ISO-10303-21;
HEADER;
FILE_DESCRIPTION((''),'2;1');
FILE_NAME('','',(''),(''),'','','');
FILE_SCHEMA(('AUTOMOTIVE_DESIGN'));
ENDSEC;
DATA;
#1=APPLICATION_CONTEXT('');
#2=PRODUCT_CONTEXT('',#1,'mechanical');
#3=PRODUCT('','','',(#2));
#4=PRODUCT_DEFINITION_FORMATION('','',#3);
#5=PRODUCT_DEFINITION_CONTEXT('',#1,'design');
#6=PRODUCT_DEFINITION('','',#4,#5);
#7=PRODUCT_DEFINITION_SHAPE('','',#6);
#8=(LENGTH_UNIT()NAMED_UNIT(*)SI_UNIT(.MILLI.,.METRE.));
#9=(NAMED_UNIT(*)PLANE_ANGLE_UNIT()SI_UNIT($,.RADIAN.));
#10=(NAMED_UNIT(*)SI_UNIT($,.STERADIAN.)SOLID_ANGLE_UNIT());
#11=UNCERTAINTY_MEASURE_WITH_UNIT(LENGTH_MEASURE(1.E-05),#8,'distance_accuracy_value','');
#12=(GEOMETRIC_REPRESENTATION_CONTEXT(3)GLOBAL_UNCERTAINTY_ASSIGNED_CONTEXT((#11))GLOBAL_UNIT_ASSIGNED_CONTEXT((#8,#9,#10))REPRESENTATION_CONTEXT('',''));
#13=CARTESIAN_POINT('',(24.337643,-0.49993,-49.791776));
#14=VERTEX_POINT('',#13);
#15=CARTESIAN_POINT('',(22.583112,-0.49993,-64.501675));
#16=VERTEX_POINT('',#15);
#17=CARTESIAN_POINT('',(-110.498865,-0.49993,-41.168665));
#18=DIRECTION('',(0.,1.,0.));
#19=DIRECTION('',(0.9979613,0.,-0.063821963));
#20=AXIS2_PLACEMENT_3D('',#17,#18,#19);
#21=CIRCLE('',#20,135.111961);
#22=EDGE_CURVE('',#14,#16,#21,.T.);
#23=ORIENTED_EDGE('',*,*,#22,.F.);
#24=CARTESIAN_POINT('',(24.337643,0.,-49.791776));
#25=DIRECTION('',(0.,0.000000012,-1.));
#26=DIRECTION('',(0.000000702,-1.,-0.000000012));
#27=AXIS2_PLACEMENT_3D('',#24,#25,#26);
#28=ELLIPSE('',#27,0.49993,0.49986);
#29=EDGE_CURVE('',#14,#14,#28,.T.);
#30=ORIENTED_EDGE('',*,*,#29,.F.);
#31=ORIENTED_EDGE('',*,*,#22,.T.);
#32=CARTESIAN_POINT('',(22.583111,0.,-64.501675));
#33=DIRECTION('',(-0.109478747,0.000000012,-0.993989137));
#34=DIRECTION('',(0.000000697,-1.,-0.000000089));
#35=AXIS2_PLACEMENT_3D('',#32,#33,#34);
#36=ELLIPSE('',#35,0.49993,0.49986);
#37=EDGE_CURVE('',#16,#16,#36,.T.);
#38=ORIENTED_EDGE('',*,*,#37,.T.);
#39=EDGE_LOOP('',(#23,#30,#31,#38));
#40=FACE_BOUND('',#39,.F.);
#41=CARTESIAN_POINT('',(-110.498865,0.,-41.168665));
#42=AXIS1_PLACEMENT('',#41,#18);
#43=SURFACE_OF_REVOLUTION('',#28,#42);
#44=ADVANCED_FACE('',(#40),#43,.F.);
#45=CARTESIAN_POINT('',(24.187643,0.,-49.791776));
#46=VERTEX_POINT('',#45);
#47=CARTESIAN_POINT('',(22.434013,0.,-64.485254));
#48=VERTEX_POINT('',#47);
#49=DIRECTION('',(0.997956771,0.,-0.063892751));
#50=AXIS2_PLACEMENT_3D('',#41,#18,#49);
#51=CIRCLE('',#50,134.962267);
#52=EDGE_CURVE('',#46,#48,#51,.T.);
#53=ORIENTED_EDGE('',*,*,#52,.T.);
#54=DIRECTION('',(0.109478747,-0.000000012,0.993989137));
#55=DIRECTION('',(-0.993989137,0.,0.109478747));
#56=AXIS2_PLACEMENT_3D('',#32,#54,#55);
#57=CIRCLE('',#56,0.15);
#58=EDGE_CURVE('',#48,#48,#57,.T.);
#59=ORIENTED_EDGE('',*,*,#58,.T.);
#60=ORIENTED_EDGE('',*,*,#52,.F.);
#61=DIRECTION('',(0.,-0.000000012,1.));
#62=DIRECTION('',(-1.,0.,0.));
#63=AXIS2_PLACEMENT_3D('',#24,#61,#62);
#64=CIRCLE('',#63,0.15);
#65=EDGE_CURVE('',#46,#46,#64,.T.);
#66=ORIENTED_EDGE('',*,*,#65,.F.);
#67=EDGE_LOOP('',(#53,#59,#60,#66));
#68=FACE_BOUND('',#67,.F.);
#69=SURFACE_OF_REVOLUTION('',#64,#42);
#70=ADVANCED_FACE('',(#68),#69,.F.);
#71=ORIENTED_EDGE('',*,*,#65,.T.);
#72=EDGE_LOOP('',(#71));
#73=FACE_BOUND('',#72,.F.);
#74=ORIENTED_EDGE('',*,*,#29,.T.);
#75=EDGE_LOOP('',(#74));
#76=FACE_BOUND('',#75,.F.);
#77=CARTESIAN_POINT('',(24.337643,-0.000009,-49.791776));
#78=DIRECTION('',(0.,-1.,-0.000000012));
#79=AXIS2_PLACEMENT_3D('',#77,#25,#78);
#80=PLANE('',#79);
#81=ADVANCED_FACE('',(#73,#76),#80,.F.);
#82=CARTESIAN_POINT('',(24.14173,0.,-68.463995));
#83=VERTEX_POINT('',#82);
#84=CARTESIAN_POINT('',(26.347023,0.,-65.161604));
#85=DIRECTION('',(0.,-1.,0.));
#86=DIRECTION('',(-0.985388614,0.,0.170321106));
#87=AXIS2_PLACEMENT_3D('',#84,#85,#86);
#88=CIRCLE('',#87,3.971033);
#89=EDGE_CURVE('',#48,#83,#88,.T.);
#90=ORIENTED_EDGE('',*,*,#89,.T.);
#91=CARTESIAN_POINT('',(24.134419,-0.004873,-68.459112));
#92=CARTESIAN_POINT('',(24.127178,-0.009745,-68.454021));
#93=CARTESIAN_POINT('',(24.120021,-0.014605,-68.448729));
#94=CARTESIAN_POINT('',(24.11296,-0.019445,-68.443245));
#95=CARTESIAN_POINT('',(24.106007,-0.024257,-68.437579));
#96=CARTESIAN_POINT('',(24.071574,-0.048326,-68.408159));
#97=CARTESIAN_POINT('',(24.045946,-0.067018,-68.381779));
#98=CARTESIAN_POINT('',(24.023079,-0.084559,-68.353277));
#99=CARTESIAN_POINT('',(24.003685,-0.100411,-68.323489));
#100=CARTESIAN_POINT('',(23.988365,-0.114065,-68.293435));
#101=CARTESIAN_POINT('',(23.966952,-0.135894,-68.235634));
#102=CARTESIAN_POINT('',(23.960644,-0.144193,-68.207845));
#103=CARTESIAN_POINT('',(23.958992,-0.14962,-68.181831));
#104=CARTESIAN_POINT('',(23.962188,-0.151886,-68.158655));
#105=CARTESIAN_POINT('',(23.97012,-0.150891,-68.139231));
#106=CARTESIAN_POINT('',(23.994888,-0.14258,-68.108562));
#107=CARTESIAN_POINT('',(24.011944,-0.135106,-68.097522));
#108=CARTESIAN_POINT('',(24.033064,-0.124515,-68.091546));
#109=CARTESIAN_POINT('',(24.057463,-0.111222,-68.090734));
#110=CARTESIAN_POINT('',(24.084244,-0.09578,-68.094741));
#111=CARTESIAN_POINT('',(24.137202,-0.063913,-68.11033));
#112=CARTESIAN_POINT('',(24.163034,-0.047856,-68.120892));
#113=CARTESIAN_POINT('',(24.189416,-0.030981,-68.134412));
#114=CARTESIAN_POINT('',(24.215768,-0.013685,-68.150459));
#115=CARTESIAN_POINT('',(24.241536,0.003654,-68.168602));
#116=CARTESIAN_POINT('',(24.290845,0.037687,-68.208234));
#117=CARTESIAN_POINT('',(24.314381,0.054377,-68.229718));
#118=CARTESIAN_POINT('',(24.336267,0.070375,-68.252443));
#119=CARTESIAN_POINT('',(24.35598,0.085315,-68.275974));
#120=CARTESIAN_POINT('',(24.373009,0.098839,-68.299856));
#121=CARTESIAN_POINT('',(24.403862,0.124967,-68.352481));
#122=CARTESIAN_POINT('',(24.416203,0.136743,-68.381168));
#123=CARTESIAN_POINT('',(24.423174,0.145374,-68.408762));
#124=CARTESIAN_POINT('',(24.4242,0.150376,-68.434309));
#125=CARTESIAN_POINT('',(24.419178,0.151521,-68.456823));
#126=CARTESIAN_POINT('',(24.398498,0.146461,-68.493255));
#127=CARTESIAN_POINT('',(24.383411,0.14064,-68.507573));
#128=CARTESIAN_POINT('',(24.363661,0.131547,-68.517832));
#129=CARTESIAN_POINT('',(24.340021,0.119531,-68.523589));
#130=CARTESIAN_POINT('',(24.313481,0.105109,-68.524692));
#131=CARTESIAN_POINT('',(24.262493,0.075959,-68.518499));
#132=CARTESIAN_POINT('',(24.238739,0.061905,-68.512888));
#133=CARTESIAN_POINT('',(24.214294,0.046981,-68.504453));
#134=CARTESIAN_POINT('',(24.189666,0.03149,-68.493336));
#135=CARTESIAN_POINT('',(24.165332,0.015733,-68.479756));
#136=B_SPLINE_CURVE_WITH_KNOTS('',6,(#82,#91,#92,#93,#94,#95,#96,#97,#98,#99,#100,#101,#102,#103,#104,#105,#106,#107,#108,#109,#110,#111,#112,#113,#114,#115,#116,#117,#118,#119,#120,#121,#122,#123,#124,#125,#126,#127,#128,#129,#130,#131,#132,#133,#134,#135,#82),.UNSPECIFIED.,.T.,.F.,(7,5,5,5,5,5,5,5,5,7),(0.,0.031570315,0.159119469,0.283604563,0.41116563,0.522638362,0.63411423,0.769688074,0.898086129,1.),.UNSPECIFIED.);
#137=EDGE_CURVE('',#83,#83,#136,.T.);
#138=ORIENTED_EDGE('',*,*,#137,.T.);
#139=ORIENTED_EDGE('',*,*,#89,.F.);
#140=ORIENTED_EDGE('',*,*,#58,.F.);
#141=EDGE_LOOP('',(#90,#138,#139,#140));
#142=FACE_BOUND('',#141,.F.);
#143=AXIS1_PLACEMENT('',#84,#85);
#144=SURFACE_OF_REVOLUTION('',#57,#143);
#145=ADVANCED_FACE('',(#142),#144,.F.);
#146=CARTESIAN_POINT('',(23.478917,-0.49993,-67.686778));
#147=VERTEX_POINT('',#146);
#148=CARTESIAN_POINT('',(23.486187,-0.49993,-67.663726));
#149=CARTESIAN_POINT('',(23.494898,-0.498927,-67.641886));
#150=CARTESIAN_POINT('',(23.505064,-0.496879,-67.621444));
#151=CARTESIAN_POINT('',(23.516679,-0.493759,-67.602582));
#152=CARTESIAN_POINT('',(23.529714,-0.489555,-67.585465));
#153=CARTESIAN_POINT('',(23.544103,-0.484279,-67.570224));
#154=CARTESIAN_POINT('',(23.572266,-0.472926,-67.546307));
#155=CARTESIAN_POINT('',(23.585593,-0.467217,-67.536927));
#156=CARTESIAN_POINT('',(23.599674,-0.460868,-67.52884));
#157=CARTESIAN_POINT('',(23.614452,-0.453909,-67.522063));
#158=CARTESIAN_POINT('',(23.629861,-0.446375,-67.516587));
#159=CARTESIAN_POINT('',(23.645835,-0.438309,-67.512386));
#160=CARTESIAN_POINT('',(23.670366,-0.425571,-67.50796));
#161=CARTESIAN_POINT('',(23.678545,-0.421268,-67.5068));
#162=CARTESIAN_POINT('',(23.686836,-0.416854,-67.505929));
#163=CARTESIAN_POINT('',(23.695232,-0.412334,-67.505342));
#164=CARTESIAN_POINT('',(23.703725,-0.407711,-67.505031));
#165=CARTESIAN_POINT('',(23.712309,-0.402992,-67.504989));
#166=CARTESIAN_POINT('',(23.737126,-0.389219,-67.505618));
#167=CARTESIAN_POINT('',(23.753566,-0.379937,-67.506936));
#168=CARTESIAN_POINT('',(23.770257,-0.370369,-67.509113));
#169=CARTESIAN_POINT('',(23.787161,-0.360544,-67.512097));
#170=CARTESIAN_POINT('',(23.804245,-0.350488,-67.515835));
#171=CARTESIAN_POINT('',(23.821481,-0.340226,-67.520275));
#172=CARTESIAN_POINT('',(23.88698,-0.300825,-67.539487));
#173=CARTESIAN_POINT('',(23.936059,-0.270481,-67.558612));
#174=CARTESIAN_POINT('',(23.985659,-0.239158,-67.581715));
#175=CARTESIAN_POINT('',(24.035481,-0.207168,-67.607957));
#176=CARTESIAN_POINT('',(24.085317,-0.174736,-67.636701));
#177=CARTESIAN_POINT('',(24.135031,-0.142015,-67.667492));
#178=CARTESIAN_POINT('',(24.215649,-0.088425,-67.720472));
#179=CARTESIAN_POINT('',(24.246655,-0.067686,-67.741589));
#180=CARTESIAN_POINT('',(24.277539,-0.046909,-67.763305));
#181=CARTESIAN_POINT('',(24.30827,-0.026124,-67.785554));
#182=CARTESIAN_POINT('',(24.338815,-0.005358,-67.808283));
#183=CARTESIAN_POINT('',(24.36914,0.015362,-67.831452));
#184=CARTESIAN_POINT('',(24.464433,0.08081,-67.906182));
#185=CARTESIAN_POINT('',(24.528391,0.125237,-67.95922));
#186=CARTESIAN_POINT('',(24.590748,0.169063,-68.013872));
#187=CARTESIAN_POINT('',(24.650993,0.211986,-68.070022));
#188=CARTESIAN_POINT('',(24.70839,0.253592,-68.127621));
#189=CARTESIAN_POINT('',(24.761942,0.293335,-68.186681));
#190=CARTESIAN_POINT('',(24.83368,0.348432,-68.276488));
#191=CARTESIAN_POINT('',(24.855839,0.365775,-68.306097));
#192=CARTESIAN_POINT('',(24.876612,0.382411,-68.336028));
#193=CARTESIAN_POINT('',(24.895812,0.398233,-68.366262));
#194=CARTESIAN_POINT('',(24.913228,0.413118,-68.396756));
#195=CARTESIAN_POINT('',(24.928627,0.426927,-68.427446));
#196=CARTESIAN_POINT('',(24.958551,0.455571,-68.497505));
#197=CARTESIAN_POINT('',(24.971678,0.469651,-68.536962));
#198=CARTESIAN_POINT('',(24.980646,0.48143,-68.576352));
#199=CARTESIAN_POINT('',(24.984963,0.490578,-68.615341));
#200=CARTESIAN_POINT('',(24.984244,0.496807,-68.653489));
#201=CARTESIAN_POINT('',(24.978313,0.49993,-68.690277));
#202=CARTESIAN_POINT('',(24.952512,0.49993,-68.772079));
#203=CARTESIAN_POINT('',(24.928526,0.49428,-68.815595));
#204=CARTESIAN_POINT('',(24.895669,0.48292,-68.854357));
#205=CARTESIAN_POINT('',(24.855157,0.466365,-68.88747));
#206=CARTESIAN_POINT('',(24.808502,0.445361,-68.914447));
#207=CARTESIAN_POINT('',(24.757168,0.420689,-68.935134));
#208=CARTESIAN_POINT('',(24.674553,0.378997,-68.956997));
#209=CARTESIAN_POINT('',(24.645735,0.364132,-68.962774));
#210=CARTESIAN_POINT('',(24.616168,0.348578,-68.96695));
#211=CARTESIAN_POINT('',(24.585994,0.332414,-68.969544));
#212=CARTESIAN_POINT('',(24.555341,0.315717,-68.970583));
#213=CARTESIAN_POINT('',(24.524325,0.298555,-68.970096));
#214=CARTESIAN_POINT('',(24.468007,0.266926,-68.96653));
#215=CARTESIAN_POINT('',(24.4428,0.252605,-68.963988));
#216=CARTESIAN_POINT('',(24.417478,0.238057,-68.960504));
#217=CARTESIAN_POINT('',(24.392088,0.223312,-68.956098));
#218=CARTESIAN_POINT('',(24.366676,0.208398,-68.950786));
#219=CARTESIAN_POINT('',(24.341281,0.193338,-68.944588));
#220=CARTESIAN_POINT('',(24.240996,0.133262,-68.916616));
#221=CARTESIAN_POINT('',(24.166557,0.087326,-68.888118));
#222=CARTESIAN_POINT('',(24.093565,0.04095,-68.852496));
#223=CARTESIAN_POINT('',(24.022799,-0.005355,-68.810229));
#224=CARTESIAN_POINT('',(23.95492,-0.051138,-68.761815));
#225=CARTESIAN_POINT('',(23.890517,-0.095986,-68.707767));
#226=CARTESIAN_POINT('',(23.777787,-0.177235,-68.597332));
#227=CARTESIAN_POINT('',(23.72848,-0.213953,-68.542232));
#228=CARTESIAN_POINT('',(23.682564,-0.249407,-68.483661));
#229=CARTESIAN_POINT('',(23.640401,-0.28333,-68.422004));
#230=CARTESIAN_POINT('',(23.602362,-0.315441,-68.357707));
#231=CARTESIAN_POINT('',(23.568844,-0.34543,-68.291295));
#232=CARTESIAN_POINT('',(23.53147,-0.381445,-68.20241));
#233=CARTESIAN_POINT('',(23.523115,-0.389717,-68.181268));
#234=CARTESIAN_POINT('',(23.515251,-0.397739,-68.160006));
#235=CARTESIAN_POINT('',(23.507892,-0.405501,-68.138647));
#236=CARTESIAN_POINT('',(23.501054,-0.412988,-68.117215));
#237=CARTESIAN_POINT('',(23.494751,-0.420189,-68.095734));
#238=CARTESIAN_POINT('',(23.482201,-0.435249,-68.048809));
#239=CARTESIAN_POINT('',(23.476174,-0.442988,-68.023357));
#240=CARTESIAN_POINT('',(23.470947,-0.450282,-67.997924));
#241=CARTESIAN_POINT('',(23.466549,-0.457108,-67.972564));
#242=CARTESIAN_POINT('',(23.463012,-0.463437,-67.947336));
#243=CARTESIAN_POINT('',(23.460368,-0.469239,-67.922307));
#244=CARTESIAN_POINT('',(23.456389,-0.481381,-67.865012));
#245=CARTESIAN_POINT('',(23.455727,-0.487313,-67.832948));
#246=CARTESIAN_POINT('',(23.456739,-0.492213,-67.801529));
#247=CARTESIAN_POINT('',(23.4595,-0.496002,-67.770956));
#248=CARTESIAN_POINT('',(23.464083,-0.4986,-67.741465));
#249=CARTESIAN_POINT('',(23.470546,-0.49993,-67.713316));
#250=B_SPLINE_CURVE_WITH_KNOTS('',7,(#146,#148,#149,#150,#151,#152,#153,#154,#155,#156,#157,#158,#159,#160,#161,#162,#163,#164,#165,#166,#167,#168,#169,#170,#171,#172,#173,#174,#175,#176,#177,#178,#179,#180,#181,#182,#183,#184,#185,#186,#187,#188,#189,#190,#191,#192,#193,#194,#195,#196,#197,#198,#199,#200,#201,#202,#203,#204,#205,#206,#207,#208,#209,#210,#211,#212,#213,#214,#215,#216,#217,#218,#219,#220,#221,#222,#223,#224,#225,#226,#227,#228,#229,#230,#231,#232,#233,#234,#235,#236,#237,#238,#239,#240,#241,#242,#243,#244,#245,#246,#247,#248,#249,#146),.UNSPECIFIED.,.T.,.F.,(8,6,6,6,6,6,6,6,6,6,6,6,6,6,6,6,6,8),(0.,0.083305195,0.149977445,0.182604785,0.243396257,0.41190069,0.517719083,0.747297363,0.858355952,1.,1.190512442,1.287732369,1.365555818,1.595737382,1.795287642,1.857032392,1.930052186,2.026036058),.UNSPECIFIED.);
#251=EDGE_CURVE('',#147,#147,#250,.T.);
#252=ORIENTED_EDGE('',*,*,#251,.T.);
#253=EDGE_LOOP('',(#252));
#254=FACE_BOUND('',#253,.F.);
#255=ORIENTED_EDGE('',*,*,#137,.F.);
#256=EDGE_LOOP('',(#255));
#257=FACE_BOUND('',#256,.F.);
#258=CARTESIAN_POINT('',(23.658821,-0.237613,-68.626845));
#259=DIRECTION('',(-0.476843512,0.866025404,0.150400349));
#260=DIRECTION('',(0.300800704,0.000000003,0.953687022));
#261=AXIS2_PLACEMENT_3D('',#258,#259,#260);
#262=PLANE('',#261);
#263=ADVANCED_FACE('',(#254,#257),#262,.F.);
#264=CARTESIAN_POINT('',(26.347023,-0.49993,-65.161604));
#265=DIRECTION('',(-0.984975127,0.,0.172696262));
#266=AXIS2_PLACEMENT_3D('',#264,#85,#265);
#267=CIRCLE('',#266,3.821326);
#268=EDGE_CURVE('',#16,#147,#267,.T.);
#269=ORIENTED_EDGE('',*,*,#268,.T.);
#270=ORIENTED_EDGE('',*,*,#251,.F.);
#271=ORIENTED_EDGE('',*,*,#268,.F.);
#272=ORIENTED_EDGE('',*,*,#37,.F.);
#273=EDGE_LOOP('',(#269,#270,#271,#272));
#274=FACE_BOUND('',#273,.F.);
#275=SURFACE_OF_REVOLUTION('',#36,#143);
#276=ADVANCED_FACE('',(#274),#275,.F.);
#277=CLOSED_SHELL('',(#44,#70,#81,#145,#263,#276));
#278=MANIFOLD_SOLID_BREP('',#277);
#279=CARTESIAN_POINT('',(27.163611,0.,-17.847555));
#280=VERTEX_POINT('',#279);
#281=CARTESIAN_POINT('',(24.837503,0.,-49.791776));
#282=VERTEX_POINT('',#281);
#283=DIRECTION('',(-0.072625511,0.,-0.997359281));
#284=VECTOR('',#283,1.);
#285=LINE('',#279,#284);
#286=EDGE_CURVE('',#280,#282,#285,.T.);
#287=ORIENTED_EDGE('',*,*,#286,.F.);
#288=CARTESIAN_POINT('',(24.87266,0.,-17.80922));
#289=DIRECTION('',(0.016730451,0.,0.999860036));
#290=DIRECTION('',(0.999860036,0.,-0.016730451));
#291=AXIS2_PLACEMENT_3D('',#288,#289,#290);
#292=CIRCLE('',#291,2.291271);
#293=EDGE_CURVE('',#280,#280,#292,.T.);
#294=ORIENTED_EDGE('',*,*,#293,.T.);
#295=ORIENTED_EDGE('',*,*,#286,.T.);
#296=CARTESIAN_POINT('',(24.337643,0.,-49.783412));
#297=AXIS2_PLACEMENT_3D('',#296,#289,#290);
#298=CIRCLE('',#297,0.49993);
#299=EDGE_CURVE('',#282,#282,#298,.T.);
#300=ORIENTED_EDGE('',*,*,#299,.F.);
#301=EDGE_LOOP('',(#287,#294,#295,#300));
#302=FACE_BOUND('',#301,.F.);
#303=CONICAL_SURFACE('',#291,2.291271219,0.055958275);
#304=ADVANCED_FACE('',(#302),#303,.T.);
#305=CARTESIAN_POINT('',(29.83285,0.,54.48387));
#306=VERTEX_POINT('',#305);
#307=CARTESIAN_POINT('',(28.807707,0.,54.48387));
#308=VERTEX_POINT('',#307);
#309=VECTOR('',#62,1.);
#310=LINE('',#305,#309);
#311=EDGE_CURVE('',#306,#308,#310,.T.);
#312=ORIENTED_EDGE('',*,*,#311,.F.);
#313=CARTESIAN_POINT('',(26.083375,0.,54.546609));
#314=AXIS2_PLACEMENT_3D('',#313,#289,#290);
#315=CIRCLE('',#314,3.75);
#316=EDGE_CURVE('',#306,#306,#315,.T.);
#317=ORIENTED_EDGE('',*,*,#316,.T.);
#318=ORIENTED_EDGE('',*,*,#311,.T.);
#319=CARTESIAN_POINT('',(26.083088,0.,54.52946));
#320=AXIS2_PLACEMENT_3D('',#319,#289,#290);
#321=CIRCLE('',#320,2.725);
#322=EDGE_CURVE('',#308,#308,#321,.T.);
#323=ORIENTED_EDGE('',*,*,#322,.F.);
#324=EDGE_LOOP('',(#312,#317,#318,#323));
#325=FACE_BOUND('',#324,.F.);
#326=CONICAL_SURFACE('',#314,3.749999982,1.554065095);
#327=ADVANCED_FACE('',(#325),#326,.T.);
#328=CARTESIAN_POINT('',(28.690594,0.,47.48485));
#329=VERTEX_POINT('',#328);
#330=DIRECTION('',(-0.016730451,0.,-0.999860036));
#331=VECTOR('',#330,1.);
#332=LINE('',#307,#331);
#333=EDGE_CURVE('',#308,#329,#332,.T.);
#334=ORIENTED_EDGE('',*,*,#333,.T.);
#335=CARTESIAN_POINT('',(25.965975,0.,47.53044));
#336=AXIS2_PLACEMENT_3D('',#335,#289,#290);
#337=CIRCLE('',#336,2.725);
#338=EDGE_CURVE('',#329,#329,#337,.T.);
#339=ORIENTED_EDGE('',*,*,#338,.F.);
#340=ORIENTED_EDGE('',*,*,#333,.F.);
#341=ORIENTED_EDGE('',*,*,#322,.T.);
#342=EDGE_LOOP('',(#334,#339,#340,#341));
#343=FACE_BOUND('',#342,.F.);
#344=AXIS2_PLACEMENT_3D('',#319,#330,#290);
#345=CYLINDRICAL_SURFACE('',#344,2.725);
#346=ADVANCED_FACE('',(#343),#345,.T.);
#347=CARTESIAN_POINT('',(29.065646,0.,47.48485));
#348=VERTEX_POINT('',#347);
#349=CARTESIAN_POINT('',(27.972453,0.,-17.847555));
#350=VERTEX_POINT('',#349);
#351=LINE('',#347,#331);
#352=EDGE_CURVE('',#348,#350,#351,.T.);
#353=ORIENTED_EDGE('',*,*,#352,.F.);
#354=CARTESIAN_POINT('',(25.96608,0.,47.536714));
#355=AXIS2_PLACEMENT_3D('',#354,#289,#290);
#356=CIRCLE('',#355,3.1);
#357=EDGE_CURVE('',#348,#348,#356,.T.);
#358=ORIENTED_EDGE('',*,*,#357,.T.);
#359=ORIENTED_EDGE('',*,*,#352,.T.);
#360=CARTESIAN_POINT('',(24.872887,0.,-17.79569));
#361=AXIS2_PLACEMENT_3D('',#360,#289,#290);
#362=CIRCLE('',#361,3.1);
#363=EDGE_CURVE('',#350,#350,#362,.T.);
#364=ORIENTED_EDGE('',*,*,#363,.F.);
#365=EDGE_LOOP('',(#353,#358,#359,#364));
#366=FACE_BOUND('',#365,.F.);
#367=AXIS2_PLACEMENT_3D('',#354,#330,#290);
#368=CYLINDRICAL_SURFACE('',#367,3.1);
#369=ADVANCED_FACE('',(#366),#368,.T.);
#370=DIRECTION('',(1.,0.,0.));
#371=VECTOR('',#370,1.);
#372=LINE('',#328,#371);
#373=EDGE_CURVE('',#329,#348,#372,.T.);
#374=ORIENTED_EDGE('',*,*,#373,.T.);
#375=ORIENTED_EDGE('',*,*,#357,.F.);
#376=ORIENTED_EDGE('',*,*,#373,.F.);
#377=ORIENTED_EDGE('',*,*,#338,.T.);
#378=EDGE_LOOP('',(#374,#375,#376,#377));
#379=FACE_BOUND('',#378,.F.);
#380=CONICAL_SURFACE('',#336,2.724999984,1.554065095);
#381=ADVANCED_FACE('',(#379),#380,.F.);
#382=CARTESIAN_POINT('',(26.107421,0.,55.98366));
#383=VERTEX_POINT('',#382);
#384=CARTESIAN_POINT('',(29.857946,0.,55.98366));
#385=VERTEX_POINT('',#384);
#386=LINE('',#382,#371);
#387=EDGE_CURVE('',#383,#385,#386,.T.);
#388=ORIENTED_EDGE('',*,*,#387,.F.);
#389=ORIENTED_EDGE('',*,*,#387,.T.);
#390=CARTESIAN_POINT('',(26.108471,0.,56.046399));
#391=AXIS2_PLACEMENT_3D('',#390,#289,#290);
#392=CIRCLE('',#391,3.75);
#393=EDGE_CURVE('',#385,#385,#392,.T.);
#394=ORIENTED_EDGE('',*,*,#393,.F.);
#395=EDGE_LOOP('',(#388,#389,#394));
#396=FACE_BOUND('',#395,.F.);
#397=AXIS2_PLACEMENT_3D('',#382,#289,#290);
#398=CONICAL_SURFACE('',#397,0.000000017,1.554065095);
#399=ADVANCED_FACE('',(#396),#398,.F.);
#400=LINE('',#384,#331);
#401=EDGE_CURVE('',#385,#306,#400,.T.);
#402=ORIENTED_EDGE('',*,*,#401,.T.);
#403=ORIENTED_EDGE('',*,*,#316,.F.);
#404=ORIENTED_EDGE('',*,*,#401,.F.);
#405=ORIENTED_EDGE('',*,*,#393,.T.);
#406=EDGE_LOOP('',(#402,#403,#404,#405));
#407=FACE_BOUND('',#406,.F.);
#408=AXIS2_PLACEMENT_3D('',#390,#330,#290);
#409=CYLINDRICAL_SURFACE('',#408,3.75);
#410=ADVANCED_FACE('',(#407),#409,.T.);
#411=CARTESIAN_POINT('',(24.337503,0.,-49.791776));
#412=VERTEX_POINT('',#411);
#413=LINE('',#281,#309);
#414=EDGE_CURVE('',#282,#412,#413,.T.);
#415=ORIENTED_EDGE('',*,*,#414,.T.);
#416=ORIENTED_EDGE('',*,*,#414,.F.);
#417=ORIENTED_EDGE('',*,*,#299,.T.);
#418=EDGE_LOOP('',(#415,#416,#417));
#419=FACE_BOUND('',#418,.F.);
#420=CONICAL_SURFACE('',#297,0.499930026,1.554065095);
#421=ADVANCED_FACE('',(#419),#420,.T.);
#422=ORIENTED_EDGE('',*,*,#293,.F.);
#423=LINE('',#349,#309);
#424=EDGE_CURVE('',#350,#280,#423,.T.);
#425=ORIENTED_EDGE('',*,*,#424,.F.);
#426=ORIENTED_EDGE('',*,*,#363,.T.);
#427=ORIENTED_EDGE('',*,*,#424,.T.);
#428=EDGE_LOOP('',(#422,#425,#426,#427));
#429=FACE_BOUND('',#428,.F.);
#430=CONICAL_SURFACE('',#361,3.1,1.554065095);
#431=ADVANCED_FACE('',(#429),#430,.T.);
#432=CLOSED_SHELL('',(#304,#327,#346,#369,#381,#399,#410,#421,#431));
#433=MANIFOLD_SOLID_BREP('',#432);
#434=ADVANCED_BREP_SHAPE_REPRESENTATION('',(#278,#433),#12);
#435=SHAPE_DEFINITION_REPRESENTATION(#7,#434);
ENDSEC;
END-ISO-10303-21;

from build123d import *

# Parameters (mm, degrees)
SKETCH5_RX         = 0.499930018
SKETCH5_RY         = 0.499860046
SKETCH5_R          = 0.15
SKETCH7_W          = 2.34425361
SKETCH7_H          = 5.46465522
CUT_EXTRUDE1_DEPTH = 10


with BuildPart() as part:
    # Sketch2 → Revolve4 (revolve)
    with BuildSketch(Plane(origin=(0, 0, 0), x_dir=(1, 0, 0), z_dir=(0, 1, 0))):
        Polygon((24.886104147, 17.005765409), (26.107421074, -55.983659918), (29.857946011, -55.983659918), (29.832850335, -54.483869864), (28.807706852, -54.483869864), (28.690593697, -47.48484961), (29.065646191, -47.48484961), (27.972452613, 17.8475545), (27.163610623, 17.8475545), (24.837502632, 49.791775671), (24.337502632, 49.791775671), align=None)
    revolve(axis=Axis((24.886104147, 0, -17.005765409), (0.016730451, 0, 0.999860036)))


with BuildPart() as body_2:
    # Sweep1: sweep along a path in Sketch4
    with BuildLine(Plane(origin=(0, 0, 0), x_dir=(1, 0, 0), z_dir=(0, 1, 0))) as sweep1_path:
        ThreePointArc((24.337502632, 49.791775671), (23.66199483, 57.170782562), (22.582972321, 64.501659992))
        ThreePointArc((22.582972321, 64.501659992), (23.019193012, 67.040207811), (24.967268705, 68.725293748))
    # Sketch5 → Sweep1 (sweep)
    with BuildSketch(Plane(origin=(0, 5.85e-07, -49.791775671), x_dir=(-1, 0, 0), z_dir=(0, 1.2e-08, -1))):
        with Locations(Location((-24.337642586, -5.85e-07), (0, 0, -90.000040234))):
            Ellipse(SKETCH5_RX, SKETCH5_RY)
        with Locations((-24.337642586, -5.85e-07)):
            Circle(SKETCH5_R, mode=Mode.SUBTRACT)
    sweep(path=sweep1_path.line)

    # Sketch7 → Cut-Extrude1 (cut)
    with BuildSketch(Plane(origin=(10.399402023, -18.887006125, -3.280056559), x_dir=(0.300800703, 4e-09, 0.953687022), z_dir=(-0.476843512, 0.866025404, 0.150400349))):
        with Locations((-58.331941168, 37.298785896)):
            Rectangle(SKETCH7_W, SKETCH7_H)
    extrude(amount=-CUT_EXTRUDE1_DEPTH, mode=Mode.SUBTRACT)


solid = Compound([part.part, body_2.part])
